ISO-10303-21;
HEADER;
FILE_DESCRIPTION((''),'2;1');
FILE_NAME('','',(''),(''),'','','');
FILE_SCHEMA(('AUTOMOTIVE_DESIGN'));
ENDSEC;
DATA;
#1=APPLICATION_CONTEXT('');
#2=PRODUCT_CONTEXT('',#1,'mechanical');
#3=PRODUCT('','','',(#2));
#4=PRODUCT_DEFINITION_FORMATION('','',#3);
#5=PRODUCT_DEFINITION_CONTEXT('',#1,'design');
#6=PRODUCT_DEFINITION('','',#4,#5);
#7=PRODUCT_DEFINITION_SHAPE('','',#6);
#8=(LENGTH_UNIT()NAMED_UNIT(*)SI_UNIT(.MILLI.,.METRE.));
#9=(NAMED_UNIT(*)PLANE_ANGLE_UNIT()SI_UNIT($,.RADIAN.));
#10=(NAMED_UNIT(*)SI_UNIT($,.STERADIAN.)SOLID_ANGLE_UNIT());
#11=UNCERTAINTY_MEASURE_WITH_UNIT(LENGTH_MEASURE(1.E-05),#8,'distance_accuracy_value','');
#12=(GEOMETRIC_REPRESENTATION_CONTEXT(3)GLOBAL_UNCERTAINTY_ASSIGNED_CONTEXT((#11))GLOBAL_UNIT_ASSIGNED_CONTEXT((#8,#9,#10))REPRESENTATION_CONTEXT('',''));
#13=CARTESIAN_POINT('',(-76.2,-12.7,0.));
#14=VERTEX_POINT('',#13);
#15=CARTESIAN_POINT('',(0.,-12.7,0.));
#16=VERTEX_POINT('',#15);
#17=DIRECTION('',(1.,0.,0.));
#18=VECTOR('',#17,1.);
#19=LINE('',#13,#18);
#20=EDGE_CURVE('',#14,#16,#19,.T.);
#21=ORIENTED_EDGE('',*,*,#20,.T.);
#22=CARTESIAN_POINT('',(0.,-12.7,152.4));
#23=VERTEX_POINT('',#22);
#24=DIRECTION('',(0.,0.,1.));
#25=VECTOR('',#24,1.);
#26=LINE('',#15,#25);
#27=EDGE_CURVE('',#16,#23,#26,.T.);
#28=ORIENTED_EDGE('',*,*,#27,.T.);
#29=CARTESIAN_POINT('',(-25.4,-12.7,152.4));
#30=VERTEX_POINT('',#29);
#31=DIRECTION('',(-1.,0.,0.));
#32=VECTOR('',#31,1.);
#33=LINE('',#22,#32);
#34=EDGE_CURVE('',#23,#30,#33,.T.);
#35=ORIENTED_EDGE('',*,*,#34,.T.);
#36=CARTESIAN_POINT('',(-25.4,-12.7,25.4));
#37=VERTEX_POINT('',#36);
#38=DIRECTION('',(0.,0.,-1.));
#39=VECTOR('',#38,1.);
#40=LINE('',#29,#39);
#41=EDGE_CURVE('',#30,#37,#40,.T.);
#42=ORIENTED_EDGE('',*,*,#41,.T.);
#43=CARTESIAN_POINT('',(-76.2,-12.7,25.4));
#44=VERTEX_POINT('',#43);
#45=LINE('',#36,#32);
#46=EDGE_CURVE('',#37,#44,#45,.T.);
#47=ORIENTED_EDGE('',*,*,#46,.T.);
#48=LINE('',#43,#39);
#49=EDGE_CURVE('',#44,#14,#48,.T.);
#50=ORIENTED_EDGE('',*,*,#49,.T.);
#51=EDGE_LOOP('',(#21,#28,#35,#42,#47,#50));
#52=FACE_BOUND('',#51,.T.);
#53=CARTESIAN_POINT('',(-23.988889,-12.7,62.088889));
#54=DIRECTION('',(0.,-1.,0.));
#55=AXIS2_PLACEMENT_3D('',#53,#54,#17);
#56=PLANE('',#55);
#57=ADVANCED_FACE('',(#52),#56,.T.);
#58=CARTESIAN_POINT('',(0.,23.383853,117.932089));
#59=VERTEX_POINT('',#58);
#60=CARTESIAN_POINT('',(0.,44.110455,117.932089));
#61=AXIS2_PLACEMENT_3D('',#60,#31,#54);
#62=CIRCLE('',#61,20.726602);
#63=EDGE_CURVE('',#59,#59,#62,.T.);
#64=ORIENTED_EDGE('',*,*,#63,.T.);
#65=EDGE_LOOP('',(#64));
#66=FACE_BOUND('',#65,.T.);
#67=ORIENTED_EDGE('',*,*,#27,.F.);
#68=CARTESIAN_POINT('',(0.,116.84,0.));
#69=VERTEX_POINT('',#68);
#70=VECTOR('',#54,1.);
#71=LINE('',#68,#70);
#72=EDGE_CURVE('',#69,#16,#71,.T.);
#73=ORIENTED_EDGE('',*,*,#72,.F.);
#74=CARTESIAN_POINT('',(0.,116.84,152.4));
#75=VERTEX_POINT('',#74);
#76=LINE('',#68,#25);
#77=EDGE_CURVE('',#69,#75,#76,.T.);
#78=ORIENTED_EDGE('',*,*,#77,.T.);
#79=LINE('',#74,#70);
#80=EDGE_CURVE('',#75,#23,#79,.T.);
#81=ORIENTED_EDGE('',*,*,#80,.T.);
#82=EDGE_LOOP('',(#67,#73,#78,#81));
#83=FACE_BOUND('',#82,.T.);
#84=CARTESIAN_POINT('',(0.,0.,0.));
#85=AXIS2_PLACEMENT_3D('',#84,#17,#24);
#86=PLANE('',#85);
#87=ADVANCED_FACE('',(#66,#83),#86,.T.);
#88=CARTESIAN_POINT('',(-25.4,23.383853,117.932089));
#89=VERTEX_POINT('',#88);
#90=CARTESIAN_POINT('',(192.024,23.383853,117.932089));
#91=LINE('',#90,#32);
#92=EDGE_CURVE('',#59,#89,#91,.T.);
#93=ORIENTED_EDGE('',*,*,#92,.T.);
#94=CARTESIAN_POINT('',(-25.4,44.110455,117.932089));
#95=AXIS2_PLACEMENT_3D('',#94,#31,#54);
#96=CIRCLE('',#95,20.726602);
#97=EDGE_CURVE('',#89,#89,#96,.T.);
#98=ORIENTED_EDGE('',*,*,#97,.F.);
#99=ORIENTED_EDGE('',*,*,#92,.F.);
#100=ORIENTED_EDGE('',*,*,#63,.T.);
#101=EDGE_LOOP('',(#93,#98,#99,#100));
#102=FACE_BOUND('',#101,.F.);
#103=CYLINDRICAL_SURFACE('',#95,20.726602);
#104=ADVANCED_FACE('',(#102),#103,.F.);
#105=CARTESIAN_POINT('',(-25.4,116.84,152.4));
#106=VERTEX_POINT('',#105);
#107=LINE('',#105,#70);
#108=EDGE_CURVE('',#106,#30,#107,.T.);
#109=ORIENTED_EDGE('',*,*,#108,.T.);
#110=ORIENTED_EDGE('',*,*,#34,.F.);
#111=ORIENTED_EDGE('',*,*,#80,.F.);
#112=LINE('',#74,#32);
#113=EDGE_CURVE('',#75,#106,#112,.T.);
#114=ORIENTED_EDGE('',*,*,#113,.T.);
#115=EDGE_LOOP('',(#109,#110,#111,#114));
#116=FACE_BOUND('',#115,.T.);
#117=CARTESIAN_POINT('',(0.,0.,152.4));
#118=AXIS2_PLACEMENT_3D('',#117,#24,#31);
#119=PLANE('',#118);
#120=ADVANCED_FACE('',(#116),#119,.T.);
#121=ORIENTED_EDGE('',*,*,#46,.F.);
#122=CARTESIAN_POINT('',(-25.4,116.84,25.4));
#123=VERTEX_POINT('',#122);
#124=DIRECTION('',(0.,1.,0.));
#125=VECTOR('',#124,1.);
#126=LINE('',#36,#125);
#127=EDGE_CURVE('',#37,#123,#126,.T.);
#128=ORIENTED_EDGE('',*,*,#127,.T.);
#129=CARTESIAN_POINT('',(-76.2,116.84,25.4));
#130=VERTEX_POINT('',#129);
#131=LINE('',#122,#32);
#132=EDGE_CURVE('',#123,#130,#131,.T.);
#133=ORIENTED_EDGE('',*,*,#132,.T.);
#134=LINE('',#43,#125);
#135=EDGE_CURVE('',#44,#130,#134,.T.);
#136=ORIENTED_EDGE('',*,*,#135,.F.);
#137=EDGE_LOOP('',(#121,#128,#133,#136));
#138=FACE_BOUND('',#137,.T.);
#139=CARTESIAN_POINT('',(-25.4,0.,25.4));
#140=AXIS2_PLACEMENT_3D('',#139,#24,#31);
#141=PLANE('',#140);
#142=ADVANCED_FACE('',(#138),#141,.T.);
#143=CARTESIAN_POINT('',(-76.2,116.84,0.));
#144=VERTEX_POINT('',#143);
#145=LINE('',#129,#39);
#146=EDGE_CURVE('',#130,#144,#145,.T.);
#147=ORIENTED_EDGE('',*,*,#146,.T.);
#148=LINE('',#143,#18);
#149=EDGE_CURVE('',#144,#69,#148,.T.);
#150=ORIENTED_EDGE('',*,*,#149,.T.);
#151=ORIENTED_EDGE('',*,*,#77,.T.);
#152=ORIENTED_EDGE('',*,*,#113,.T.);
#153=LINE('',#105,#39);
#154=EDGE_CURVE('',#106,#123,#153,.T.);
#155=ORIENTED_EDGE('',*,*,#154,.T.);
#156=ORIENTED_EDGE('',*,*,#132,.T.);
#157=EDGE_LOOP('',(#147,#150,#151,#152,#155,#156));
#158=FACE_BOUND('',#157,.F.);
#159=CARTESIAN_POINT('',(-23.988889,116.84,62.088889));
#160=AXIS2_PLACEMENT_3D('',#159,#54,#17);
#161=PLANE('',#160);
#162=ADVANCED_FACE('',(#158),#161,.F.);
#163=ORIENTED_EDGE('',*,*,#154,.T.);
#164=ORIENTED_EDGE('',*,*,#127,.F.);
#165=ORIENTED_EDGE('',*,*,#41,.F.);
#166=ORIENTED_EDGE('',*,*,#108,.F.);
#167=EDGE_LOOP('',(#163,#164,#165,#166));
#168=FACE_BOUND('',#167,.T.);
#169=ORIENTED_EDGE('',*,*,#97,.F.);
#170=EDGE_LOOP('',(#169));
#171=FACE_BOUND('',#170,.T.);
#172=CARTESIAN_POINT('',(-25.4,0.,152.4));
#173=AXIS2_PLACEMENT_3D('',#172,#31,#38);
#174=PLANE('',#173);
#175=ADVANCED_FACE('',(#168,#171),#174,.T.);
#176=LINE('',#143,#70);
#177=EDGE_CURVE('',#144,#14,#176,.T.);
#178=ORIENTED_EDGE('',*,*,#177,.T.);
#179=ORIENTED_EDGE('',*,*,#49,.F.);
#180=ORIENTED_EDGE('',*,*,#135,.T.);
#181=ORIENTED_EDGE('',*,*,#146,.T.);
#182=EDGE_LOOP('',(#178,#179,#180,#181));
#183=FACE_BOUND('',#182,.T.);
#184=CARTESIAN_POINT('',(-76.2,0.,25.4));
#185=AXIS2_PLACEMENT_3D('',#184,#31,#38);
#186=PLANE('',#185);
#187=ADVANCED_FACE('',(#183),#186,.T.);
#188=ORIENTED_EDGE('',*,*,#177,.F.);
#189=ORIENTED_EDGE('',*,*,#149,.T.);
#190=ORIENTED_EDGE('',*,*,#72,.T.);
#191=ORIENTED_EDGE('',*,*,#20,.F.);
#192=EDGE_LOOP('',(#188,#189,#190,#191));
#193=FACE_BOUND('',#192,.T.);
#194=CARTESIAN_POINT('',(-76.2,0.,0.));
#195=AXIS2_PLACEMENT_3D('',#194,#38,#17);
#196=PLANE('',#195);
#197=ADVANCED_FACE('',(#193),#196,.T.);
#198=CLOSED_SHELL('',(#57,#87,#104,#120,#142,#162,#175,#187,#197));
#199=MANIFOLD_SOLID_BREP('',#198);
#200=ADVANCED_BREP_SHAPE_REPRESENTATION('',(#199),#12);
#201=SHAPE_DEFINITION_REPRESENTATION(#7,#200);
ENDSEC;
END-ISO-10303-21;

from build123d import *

# Parameters (mm, degrees)
F1_DEPTH = 12.7
F2_DEPTH = 129.54
F3_R     = 20.726602
F4_DEPTH = 217.424


with BuildPart() as f1:
    # F0 (on Front) → F1 (new body, symmetric)
    with BuildSketch(Plane.XZ):
        Polygon((-76.2, 25.4), (-76.2, 0), (0, 0), (0, 152.4), (-25.4, 152.4), (-25.4, 25.4), align=None)
    extrude(amount=F1_DEPTH, both=True)

    # F1_face (on face) → F2 (join)
    with BuildSketch(Plane(origin=(-22.225, -12.7, 60.325), x_dir=(1, 0, 0), z_dir=(0, -1, 0))):
        Polygon((-53.975, -34.925), (-53.975, -60.325), (22.225, -60.325), (22.225, 92.075), (-3.175, 92.075), (-3.175, -34.925), align=None)
    extrude(amount=-F2_DEPTH)

    # F3 (on face) → F4 (cut, symmetric)
    with BuildSketch(Plane(origin=(-25.4, 0, 0), x_dir=(0, -1, 0), z_dir=(-1, 0, 0))):
        with Locations((-44.110455, 117.932089)):
            Circle(F3_R)
    extrude(amount=F4_DEPTH, both=True, mode=Mode.SUBTRACT)


solid = f1.part
